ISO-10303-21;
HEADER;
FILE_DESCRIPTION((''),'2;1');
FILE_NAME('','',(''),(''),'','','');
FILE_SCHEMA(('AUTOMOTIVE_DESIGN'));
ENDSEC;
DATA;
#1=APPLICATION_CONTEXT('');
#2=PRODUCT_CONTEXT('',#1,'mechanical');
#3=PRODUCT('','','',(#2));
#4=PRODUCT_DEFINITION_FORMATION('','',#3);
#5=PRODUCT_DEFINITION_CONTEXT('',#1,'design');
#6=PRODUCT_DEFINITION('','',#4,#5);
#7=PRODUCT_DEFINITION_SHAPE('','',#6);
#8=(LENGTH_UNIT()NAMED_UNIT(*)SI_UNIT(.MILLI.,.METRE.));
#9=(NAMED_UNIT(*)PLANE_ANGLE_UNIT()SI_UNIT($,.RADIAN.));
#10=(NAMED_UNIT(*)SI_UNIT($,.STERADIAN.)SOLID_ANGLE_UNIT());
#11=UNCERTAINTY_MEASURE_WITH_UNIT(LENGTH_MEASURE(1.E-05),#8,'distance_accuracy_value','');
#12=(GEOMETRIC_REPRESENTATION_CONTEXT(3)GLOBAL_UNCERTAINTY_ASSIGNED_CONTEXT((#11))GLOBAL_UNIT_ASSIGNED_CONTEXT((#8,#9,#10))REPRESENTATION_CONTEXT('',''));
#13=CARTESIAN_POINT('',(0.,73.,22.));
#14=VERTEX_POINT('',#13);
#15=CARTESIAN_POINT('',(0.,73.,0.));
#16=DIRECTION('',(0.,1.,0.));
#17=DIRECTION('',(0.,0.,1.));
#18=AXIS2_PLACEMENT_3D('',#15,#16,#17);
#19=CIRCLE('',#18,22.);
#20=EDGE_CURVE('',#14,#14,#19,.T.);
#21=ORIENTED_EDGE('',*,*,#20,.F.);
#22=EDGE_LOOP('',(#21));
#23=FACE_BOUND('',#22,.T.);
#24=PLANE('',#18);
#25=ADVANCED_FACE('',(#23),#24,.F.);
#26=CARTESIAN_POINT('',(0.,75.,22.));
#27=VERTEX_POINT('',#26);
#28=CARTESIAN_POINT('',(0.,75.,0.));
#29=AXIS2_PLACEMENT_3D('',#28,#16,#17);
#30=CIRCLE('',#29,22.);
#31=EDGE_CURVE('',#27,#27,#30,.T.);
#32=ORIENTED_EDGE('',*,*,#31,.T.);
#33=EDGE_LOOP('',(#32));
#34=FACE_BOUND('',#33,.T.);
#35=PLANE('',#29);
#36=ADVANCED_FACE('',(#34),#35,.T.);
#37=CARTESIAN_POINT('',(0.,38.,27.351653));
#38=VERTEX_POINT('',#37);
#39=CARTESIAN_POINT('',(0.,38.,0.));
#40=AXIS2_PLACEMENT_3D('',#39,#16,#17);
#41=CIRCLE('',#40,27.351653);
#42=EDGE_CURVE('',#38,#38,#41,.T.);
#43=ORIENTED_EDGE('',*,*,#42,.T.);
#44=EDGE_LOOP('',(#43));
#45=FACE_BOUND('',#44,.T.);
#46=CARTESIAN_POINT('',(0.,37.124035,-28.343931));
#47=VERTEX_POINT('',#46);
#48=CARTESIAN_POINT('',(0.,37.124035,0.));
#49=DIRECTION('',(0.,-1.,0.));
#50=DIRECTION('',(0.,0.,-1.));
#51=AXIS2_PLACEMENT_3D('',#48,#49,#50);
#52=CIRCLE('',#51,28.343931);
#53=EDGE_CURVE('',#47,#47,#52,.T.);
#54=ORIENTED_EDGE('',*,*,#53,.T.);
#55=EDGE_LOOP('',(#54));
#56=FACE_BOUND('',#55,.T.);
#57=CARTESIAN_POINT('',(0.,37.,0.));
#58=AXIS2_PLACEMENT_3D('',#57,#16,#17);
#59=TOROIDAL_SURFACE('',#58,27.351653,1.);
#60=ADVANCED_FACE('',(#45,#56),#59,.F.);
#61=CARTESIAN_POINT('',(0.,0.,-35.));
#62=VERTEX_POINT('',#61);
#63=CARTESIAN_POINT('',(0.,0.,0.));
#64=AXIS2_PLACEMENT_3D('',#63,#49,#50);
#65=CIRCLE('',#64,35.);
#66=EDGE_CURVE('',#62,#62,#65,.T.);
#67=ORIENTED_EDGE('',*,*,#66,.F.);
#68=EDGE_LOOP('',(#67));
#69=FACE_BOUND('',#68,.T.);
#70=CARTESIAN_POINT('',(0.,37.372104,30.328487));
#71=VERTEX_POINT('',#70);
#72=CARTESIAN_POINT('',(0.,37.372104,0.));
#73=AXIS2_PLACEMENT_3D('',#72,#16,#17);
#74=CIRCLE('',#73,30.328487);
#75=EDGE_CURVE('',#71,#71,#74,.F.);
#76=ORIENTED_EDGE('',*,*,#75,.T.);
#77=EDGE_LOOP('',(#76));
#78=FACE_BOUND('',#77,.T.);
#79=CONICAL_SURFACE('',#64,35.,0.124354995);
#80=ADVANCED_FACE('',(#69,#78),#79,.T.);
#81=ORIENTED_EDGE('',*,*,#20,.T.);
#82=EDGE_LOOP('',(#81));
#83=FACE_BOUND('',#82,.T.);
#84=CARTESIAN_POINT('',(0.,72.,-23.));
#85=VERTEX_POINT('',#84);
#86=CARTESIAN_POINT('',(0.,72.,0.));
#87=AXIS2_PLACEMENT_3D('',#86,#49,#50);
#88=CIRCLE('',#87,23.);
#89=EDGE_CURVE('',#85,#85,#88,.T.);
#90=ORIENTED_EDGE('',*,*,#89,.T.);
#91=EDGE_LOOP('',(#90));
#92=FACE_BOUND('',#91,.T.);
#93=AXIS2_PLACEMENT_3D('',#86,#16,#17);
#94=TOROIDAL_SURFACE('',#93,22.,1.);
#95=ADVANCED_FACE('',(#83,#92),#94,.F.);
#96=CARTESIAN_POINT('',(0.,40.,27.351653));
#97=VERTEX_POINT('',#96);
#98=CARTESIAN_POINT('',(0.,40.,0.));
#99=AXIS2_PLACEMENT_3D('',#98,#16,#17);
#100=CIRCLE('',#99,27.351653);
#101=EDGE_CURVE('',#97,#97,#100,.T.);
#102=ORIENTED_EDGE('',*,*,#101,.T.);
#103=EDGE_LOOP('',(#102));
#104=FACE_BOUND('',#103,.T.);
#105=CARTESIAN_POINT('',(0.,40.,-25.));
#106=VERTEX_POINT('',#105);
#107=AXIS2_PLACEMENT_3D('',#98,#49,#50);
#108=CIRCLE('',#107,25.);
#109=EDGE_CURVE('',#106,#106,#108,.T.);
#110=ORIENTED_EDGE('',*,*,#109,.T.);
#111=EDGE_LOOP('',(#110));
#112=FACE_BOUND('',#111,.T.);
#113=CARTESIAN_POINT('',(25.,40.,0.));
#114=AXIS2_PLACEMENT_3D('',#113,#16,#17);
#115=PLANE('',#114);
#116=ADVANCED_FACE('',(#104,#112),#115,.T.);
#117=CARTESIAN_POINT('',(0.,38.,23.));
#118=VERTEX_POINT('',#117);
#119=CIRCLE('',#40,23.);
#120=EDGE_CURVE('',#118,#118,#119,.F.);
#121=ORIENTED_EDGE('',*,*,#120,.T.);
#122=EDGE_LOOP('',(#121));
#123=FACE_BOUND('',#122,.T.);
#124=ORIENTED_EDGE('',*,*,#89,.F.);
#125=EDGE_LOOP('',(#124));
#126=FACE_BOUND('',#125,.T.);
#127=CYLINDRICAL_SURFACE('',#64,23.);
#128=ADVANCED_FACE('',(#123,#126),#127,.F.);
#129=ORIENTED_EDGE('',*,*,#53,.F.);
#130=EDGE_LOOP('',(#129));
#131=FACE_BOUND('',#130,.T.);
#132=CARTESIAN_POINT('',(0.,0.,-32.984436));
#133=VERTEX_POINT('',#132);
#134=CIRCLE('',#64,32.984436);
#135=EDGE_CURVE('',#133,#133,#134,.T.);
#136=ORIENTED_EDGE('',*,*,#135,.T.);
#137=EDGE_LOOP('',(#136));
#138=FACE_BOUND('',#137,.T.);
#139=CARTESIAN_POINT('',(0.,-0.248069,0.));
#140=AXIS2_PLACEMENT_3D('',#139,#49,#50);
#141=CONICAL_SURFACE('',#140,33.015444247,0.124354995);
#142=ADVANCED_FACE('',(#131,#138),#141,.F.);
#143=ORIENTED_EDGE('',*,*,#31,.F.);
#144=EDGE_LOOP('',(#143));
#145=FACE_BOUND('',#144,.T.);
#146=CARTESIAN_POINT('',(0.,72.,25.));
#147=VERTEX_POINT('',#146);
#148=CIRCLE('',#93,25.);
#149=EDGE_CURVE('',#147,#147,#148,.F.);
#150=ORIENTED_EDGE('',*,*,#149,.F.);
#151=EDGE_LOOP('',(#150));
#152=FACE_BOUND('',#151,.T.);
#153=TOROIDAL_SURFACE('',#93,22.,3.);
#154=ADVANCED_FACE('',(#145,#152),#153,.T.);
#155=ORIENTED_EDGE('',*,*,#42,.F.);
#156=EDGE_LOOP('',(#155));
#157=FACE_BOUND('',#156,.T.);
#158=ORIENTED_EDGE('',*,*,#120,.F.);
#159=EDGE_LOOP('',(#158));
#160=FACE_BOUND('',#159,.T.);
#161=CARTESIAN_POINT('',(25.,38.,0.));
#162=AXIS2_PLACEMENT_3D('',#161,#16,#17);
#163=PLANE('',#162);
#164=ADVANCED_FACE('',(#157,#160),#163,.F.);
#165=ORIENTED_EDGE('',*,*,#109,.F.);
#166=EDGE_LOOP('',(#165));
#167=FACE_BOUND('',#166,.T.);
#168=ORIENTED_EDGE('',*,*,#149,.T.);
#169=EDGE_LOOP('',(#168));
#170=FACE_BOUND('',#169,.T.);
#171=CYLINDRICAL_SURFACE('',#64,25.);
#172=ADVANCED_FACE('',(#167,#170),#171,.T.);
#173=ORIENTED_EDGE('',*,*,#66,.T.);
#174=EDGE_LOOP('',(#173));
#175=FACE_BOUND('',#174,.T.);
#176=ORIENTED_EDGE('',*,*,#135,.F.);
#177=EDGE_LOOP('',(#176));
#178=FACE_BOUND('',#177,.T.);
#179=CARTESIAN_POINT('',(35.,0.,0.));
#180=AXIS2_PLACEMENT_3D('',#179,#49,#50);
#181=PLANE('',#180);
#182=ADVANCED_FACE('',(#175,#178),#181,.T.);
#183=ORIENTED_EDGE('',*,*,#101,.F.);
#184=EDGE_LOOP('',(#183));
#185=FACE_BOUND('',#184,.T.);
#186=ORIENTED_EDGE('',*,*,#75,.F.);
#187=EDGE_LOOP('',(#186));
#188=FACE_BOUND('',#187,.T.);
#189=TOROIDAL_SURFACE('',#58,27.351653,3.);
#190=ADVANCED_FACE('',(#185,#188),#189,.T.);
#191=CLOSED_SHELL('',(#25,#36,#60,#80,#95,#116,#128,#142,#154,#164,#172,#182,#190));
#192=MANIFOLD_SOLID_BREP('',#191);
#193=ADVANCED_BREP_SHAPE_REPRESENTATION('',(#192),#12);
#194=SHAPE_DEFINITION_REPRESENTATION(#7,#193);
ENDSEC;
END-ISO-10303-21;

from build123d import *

# Parameters (mm, degrees)
FILLET1_R = 3
SHELL1_T  = -2


with BuildPart() as part:
    # Sketch1 → Revolve1 (revolve)
    with BuildSketch(Plane.XY, mode=Mode.PRIVATE) as revolve1_sk:
        Polygon((0, 75), (25, 75), (25, 40), (30, 40), (35, 0), (0, 0), align=None)
    revolve(revolve1_sk.sketch.rotate(Axis((0, 0, 0), (0, 1, 0)), 90), axis=Axis((0, 0, 0), (0, 1, 0)))

    # Fillet1
    fillet1_edges = [part.edges().sort_by_distance(p)[0] for p in [
        (0, 40, 30),
        (0, 75, 25),
    ]]
    fillet(fillet1_edges, radius=FILLET1_R)

    # Shell1
    shell1_openings = [part.faces().sort_by_distance(p)[0] for p in [
        (0, 0, 0),
    ]]
    offset(amount=SHELL1_T, openings=shell1_openings, kind=Kind.INTERSECTION)


solid = part.part
